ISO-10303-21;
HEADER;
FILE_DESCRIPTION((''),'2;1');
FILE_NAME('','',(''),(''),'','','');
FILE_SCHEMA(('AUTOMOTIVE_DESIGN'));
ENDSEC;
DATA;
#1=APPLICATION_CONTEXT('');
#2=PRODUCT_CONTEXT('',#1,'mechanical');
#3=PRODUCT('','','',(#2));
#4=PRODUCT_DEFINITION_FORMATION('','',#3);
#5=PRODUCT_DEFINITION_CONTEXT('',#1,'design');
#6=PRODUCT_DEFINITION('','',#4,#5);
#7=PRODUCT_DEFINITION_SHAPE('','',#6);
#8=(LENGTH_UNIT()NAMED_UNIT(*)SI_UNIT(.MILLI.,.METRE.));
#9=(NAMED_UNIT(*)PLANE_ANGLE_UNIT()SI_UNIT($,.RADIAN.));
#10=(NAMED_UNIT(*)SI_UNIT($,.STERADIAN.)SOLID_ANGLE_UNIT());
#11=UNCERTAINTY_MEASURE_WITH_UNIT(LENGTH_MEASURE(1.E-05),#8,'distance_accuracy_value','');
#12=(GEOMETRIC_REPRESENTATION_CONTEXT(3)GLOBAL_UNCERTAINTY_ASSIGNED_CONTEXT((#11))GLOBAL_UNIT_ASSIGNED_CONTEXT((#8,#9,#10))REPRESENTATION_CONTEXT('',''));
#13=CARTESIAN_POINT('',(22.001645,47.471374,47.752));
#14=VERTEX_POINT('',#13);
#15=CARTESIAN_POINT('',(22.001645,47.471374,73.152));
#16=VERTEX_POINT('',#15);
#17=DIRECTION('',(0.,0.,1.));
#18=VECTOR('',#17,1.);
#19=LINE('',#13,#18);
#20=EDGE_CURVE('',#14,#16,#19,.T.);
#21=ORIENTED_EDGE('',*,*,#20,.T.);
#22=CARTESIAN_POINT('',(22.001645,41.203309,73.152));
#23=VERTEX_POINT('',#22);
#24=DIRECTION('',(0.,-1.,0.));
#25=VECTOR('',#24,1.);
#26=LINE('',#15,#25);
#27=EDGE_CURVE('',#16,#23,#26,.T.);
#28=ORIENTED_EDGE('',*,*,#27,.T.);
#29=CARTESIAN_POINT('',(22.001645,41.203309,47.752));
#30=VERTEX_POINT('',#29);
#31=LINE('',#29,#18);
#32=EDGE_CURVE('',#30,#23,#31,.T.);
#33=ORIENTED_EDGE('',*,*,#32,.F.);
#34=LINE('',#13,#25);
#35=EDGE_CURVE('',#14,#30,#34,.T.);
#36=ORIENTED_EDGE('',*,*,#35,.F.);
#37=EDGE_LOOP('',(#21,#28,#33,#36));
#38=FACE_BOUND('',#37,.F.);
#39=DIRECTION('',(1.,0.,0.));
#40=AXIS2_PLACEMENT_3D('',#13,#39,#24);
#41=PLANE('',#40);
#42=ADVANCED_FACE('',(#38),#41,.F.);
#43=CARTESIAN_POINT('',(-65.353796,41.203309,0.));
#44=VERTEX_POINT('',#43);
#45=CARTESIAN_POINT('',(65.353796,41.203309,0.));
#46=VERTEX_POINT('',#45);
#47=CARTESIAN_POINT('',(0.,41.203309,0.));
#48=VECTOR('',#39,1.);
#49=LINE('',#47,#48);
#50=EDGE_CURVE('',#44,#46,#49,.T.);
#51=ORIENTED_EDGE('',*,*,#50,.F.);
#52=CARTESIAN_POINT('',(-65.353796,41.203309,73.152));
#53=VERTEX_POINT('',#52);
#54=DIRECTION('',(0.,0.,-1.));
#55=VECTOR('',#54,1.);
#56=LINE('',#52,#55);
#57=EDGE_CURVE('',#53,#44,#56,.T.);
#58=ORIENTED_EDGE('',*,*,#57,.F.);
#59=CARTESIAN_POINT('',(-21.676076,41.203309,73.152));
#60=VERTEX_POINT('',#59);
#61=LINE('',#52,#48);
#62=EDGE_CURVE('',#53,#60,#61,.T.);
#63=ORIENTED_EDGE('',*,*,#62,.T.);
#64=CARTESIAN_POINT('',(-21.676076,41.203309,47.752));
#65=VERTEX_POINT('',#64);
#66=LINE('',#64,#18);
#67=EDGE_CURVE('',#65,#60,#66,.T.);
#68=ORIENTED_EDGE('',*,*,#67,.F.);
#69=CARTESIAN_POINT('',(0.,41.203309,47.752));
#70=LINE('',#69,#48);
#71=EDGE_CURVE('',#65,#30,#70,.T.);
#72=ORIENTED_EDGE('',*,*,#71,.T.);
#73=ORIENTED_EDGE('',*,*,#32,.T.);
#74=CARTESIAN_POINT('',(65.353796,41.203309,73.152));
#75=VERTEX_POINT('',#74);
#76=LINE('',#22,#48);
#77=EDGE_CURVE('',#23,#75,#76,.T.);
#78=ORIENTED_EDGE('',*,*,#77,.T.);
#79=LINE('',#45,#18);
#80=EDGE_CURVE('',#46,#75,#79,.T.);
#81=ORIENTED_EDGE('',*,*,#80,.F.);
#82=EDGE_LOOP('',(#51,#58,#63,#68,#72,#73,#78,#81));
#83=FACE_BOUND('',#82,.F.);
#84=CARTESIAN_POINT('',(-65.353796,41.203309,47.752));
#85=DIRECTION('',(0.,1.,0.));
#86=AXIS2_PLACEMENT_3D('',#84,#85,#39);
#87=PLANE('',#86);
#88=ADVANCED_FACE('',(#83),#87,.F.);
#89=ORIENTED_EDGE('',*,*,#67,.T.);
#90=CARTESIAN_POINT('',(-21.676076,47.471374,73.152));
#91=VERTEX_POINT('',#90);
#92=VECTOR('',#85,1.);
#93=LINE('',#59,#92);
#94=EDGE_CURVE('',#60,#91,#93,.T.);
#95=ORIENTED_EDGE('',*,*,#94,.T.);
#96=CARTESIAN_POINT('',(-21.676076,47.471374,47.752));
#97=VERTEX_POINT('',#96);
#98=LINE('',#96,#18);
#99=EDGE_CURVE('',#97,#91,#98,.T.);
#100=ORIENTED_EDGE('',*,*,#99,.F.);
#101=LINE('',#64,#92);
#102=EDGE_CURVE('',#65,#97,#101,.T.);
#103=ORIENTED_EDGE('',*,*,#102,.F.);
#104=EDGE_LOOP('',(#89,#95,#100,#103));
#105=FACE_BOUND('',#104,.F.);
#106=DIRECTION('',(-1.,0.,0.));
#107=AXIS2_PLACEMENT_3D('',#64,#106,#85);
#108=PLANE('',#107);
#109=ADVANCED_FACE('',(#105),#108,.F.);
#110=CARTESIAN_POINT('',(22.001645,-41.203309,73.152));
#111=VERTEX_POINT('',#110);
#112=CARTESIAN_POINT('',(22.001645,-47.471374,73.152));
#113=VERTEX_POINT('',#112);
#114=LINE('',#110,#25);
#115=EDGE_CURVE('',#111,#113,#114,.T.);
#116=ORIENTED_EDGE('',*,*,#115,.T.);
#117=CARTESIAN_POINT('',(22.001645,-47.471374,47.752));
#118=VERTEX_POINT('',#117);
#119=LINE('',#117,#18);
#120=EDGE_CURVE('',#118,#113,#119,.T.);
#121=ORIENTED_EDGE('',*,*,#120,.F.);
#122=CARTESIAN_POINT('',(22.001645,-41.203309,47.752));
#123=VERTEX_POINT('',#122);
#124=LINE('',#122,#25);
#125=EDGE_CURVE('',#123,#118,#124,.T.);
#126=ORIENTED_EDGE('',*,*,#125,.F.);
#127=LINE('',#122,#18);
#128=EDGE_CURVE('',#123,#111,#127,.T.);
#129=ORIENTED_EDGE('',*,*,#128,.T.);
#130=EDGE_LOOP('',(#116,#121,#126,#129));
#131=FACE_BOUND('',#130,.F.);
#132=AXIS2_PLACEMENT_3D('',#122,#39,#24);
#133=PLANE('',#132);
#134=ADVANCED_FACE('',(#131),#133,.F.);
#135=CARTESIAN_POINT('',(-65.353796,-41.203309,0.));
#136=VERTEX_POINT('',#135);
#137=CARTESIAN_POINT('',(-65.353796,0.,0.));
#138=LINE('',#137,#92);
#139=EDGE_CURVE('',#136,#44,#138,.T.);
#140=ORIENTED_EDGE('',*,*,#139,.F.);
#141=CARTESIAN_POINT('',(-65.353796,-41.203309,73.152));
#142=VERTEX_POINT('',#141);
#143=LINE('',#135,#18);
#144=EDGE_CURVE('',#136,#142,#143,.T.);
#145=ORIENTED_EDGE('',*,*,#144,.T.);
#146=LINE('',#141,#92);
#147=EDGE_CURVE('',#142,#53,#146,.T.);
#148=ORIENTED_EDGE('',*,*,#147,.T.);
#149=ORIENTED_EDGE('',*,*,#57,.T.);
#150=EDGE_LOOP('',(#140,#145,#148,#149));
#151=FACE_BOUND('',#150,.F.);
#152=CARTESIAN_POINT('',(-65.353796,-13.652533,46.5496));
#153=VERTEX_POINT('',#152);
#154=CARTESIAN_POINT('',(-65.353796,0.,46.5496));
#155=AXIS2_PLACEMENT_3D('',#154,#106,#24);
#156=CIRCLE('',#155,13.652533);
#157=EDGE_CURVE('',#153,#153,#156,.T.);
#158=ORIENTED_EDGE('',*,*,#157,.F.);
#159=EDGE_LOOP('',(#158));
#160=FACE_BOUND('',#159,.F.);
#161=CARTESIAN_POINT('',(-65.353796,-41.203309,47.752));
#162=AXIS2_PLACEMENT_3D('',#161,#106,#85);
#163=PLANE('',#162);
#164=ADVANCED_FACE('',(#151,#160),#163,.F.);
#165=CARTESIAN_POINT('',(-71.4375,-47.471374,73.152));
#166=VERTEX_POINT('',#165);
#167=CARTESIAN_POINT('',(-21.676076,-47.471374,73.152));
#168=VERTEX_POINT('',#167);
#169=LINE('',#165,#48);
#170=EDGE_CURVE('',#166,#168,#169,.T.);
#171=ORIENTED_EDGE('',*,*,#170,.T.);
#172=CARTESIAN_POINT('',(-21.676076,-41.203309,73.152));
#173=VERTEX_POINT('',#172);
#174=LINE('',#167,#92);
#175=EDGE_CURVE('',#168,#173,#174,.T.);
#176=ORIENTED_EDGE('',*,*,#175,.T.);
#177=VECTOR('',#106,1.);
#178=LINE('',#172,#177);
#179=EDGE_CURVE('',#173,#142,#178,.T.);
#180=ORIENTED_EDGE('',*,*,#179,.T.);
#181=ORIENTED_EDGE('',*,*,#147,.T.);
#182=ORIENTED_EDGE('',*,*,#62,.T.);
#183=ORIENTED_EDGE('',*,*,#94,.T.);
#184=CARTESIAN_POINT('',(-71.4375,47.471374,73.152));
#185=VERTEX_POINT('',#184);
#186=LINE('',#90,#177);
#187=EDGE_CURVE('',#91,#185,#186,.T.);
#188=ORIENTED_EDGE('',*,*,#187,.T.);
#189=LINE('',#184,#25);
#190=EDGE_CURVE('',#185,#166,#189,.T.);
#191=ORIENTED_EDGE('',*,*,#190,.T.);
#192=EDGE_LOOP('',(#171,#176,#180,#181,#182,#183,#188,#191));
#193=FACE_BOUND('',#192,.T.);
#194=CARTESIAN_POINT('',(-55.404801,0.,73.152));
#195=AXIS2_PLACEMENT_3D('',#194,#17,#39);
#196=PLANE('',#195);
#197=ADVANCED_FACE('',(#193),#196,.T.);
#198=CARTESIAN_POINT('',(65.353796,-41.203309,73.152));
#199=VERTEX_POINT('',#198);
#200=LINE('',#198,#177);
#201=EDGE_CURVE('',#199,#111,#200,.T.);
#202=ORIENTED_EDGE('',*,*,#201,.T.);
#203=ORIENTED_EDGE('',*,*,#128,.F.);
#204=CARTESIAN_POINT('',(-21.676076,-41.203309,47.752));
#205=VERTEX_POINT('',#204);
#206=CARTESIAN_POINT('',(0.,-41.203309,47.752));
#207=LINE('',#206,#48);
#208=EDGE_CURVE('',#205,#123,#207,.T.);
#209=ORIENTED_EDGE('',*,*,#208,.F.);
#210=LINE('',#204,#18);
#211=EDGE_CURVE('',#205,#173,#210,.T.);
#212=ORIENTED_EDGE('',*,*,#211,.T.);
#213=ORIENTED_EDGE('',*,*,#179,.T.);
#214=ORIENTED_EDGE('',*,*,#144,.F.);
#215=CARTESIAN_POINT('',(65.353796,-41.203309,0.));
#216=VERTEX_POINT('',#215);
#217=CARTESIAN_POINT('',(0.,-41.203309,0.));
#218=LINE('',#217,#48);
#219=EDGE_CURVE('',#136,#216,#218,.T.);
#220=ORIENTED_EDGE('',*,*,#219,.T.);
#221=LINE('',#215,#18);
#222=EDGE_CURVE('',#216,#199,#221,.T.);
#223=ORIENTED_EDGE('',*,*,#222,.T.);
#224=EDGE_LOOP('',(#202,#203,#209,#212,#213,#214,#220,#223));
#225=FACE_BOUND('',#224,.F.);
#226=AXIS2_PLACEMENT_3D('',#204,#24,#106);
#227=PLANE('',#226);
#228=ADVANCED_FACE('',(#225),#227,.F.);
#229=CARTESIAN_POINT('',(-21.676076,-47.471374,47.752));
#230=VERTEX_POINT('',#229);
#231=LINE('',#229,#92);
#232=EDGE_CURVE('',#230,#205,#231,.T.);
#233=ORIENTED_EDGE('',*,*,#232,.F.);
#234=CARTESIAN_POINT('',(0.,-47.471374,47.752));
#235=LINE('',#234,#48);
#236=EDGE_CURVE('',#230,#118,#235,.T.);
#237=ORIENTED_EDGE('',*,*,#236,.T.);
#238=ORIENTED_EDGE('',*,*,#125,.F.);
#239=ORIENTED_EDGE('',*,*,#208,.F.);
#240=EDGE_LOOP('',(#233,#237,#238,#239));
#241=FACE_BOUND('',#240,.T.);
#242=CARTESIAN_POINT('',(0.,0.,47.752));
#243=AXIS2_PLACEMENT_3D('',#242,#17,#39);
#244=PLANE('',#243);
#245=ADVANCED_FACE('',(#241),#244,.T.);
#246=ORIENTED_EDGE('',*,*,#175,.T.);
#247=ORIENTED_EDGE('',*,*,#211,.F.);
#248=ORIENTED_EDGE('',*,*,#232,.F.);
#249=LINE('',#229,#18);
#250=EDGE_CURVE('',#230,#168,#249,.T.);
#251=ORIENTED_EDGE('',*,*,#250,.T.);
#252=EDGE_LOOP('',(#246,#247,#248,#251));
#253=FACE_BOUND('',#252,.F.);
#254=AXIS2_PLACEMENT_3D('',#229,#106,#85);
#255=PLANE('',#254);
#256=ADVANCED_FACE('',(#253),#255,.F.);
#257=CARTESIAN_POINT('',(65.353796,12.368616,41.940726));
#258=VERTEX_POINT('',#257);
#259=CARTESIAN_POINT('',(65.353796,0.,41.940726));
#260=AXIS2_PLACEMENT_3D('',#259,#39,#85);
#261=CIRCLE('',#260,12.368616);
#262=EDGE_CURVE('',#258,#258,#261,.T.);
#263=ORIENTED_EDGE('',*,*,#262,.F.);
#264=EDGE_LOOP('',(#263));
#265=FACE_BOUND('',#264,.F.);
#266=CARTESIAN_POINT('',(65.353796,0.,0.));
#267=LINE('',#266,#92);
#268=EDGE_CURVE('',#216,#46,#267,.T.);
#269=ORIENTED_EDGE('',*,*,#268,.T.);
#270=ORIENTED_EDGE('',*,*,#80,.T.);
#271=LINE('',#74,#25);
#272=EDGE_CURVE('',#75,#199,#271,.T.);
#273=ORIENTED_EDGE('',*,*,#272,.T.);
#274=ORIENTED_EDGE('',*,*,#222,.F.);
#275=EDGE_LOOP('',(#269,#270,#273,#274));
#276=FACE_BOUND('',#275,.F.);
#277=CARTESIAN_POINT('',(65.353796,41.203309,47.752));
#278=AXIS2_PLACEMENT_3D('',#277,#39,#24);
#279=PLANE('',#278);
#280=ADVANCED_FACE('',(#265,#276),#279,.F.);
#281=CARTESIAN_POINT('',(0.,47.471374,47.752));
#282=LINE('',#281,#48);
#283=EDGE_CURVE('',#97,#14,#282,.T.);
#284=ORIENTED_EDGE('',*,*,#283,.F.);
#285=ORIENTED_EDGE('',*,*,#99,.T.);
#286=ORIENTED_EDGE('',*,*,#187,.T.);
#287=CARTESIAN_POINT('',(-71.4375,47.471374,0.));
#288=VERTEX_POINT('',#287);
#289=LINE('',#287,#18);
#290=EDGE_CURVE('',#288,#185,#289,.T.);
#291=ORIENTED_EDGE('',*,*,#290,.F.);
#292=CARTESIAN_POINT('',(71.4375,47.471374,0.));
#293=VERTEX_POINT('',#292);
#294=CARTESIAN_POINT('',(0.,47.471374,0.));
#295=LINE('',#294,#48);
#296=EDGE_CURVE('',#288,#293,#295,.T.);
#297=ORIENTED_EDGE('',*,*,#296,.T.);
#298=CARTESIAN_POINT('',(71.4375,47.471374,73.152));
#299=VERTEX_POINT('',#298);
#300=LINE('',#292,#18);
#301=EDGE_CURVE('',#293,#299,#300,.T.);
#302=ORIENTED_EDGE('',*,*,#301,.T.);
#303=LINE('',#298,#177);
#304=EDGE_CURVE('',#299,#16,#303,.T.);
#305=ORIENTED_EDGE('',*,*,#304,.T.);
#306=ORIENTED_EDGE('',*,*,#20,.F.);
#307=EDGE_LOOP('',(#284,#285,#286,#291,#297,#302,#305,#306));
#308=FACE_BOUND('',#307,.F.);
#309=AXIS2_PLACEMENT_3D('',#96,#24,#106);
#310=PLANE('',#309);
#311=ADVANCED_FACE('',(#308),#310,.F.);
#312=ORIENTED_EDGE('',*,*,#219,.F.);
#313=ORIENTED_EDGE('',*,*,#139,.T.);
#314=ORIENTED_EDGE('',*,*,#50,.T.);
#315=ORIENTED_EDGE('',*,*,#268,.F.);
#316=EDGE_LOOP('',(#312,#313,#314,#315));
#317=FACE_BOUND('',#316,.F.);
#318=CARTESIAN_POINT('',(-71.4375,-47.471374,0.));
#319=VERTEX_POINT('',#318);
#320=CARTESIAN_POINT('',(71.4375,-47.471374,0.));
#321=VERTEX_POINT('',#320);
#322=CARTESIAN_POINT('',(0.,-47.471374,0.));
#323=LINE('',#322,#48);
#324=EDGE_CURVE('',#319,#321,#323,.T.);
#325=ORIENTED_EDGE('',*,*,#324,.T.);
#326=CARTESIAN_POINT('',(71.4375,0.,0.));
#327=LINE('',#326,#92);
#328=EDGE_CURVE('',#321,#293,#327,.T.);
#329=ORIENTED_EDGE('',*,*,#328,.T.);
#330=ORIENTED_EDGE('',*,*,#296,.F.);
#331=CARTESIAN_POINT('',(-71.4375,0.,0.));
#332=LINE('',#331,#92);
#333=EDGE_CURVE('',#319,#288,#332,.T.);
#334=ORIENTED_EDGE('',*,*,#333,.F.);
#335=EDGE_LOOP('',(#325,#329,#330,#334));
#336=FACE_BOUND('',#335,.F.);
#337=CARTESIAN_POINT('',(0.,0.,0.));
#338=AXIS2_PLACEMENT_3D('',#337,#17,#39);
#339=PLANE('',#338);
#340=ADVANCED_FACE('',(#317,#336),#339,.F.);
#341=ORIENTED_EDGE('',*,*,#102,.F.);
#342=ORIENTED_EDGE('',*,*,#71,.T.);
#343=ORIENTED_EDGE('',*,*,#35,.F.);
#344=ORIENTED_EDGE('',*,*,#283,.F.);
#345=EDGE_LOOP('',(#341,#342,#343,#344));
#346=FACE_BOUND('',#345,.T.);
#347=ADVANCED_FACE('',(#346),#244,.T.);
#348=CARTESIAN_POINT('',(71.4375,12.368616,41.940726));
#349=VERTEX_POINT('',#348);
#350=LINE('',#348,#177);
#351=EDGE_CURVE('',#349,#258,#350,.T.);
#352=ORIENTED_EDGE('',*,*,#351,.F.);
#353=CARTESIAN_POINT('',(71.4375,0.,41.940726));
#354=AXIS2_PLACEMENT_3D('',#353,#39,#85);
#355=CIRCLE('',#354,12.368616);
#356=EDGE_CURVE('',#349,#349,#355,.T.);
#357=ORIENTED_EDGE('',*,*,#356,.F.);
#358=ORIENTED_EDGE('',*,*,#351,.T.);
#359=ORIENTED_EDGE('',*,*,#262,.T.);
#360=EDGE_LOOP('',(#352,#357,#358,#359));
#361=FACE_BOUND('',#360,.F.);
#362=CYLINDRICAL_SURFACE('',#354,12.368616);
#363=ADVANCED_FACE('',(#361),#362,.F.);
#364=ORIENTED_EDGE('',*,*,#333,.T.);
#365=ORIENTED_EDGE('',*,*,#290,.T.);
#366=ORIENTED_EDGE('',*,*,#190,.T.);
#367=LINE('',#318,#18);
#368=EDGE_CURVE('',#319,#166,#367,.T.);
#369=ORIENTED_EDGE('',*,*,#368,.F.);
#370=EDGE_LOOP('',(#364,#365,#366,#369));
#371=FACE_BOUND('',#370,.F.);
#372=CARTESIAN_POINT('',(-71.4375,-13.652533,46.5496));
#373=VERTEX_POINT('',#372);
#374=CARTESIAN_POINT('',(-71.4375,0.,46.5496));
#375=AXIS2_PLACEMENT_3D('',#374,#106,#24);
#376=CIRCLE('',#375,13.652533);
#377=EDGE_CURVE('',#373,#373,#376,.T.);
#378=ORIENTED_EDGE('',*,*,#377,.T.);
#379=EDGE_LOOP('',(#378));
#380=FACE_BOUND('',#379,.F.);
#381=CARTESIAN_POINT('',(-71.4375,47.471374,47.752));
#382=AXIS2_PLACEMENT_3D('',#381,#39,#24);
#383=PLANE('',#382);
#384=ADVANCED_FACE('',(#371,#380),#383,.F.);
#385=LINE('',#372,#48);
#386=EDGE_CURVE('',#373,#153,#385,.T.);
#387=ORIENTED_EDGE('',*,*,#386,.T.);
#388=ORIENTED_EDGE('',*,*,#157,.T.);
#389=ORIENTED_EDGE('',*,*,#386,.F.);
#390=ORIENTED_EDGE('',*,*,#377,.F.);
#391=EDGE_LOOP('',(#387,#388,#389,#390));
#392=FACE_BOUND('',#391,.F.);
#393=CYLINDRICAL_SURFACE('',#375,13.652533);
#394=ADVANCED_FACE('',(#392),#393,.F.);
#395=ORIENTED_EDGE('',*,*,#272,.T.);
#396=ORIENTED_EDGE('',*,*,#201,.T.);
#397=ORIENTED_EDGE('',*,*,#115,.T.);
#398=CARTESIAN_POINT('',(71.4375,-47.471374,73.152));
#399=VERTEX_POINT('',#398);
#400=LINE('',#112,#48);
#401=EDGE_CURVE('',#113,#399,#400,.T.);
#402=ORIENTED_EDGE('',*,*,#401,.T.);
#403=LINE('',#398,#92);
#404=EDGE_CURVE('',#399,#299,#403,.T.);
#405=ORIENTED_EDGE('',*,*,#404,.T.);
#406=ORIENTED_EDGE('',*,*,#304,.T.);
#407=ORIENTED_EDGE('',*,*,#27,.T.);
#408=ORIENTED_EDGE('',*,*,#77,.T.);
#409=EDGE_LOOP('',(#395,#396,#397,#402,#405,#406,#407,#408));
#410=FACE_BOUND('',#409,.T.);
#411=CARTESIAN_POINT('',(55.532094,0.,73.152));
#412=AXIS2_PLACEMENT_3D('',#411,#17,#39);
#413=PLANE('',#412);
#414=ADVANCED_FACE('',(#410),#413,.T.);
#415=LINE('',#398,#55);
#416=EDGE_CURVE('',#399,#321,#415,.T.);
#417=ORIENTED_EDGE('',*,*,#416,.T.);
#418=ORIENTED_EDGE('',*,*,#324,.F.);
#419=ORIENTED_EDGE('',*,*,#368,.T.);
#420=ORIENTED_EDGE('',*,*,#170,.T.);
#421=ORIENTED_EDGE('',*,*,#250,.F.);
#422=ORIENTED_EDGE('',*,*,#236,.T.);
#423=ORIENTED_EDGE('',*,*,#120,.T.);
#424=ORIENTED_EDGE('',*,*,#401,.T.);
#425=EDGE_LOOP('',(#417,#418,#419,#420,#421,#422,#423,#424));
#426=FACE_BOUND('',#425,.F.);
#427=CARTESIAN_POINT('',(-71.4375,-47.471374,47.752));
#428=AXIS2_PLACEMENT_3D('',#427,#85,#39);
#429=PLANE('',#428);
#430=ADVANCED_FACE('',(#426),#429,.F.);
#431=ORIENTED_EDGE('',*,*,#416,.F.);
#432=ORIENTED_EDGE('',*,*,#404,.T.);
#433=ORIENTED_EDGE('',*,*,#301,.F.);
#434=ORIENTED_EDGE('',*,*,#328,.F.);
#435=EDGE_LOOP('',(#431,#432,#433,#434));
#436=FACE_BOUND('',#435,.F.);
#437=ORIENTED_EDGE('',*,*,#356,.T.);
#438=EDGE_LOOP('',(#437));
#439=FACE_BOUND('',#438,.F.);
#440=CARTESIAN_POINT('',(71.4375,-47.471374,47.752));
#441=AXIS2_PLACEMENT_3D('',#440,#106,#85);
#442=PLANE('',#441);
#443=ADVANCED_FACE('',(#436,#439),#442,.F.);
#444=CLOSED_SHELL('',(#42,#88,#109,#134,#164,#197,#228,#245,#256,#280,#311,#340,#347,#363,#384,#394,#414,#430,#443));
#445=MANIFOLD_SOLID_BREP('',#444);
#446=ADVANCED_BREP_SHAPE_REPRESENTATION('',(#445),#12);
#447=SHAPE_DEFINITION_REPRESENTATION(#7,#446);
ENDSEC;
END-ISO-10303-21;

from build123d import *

# Parameters (mm, degrees)
F0_W      = 142.8750008345
F0_H      = 94.9427485466
F0_W_2    = 130.7075917721
F0_H_2    = 82.4066177011
F1_DEPTH  = 47.752
F3_DEPTH  = 25.4
F5_DEPTH  = 25.4
F7_R      = 12.3686155683
F8_DEPTH  = 25.4
F9_R      = 13.6525334008
F10_DEPTH = 25.4


with BuildPart() as f1:
    # F0 (on Top) → F1 (new body)
    with BuildSketch(Plane.XY):
        Rectangle(F0_W, F0_H)
        Rectangle(F0_W_2, F0_H_2, mode=Mode.SUBTRACT)
    extrude(amount=F1_DEPTH)

    # F2 (on face) → F3 (join)
    with BuildSketch(Plane.XY.offset(47.752)):
        Polygon((71.4375004172, -47.4713742733), (71.4375004172, 47.4713742733), (22.0016445965, 47.4713742733), (22.0016445965, 41.2033088505), (65.353795886, 41.2033088505), (65.353795886, -41.2033088505), (22.0016445965, -41.2033088505), (22.0016445965, -47.4713742733), align=None)
    extrude(amount=F3_DEPTH)

    # F4 (on face) → F5 (join)
    with BuildSketch(Plane.XY.offset(47.752)):
        Polygon((-21.6760756448, 47.4713742733), (-71.4375004172, 47.4713742733), (-71.4375004172, -47.4713742733), (-21.6760756448, -47.4713742733), (-21.6760756448, -41.2033088505), (-65.353795886, -41.2033088505), (-65.353795886, 41.2033088505), (-21.6760756448, 41.2033088505), align=None)
    extrude(amount=F5_DEPTH)

    # F7 (on face) → F8 (cut)
    with BuildSketch(Plane.YZ.offset(71.4375004172)):
        with Locations((0, 41.9407263398)):
            Circle(F7_R)
    extrude(amount=-F8_DEPTH, mode=Mode.SUBTRACT)

    # F9 (on face) → F10 (cut)
    with BuildSketch(Plane(origin=(-71.4375004172, 0, 0), x_dir=(0, -1, 0), z_dir=(-1, 0, 0))):
        with Locations((0, 46.5495996177)):
            Circle(F9_R)
    extrude(amount=-F10_DEPTH, mode=Mode.SUBTRACT)


solid = f1.part
